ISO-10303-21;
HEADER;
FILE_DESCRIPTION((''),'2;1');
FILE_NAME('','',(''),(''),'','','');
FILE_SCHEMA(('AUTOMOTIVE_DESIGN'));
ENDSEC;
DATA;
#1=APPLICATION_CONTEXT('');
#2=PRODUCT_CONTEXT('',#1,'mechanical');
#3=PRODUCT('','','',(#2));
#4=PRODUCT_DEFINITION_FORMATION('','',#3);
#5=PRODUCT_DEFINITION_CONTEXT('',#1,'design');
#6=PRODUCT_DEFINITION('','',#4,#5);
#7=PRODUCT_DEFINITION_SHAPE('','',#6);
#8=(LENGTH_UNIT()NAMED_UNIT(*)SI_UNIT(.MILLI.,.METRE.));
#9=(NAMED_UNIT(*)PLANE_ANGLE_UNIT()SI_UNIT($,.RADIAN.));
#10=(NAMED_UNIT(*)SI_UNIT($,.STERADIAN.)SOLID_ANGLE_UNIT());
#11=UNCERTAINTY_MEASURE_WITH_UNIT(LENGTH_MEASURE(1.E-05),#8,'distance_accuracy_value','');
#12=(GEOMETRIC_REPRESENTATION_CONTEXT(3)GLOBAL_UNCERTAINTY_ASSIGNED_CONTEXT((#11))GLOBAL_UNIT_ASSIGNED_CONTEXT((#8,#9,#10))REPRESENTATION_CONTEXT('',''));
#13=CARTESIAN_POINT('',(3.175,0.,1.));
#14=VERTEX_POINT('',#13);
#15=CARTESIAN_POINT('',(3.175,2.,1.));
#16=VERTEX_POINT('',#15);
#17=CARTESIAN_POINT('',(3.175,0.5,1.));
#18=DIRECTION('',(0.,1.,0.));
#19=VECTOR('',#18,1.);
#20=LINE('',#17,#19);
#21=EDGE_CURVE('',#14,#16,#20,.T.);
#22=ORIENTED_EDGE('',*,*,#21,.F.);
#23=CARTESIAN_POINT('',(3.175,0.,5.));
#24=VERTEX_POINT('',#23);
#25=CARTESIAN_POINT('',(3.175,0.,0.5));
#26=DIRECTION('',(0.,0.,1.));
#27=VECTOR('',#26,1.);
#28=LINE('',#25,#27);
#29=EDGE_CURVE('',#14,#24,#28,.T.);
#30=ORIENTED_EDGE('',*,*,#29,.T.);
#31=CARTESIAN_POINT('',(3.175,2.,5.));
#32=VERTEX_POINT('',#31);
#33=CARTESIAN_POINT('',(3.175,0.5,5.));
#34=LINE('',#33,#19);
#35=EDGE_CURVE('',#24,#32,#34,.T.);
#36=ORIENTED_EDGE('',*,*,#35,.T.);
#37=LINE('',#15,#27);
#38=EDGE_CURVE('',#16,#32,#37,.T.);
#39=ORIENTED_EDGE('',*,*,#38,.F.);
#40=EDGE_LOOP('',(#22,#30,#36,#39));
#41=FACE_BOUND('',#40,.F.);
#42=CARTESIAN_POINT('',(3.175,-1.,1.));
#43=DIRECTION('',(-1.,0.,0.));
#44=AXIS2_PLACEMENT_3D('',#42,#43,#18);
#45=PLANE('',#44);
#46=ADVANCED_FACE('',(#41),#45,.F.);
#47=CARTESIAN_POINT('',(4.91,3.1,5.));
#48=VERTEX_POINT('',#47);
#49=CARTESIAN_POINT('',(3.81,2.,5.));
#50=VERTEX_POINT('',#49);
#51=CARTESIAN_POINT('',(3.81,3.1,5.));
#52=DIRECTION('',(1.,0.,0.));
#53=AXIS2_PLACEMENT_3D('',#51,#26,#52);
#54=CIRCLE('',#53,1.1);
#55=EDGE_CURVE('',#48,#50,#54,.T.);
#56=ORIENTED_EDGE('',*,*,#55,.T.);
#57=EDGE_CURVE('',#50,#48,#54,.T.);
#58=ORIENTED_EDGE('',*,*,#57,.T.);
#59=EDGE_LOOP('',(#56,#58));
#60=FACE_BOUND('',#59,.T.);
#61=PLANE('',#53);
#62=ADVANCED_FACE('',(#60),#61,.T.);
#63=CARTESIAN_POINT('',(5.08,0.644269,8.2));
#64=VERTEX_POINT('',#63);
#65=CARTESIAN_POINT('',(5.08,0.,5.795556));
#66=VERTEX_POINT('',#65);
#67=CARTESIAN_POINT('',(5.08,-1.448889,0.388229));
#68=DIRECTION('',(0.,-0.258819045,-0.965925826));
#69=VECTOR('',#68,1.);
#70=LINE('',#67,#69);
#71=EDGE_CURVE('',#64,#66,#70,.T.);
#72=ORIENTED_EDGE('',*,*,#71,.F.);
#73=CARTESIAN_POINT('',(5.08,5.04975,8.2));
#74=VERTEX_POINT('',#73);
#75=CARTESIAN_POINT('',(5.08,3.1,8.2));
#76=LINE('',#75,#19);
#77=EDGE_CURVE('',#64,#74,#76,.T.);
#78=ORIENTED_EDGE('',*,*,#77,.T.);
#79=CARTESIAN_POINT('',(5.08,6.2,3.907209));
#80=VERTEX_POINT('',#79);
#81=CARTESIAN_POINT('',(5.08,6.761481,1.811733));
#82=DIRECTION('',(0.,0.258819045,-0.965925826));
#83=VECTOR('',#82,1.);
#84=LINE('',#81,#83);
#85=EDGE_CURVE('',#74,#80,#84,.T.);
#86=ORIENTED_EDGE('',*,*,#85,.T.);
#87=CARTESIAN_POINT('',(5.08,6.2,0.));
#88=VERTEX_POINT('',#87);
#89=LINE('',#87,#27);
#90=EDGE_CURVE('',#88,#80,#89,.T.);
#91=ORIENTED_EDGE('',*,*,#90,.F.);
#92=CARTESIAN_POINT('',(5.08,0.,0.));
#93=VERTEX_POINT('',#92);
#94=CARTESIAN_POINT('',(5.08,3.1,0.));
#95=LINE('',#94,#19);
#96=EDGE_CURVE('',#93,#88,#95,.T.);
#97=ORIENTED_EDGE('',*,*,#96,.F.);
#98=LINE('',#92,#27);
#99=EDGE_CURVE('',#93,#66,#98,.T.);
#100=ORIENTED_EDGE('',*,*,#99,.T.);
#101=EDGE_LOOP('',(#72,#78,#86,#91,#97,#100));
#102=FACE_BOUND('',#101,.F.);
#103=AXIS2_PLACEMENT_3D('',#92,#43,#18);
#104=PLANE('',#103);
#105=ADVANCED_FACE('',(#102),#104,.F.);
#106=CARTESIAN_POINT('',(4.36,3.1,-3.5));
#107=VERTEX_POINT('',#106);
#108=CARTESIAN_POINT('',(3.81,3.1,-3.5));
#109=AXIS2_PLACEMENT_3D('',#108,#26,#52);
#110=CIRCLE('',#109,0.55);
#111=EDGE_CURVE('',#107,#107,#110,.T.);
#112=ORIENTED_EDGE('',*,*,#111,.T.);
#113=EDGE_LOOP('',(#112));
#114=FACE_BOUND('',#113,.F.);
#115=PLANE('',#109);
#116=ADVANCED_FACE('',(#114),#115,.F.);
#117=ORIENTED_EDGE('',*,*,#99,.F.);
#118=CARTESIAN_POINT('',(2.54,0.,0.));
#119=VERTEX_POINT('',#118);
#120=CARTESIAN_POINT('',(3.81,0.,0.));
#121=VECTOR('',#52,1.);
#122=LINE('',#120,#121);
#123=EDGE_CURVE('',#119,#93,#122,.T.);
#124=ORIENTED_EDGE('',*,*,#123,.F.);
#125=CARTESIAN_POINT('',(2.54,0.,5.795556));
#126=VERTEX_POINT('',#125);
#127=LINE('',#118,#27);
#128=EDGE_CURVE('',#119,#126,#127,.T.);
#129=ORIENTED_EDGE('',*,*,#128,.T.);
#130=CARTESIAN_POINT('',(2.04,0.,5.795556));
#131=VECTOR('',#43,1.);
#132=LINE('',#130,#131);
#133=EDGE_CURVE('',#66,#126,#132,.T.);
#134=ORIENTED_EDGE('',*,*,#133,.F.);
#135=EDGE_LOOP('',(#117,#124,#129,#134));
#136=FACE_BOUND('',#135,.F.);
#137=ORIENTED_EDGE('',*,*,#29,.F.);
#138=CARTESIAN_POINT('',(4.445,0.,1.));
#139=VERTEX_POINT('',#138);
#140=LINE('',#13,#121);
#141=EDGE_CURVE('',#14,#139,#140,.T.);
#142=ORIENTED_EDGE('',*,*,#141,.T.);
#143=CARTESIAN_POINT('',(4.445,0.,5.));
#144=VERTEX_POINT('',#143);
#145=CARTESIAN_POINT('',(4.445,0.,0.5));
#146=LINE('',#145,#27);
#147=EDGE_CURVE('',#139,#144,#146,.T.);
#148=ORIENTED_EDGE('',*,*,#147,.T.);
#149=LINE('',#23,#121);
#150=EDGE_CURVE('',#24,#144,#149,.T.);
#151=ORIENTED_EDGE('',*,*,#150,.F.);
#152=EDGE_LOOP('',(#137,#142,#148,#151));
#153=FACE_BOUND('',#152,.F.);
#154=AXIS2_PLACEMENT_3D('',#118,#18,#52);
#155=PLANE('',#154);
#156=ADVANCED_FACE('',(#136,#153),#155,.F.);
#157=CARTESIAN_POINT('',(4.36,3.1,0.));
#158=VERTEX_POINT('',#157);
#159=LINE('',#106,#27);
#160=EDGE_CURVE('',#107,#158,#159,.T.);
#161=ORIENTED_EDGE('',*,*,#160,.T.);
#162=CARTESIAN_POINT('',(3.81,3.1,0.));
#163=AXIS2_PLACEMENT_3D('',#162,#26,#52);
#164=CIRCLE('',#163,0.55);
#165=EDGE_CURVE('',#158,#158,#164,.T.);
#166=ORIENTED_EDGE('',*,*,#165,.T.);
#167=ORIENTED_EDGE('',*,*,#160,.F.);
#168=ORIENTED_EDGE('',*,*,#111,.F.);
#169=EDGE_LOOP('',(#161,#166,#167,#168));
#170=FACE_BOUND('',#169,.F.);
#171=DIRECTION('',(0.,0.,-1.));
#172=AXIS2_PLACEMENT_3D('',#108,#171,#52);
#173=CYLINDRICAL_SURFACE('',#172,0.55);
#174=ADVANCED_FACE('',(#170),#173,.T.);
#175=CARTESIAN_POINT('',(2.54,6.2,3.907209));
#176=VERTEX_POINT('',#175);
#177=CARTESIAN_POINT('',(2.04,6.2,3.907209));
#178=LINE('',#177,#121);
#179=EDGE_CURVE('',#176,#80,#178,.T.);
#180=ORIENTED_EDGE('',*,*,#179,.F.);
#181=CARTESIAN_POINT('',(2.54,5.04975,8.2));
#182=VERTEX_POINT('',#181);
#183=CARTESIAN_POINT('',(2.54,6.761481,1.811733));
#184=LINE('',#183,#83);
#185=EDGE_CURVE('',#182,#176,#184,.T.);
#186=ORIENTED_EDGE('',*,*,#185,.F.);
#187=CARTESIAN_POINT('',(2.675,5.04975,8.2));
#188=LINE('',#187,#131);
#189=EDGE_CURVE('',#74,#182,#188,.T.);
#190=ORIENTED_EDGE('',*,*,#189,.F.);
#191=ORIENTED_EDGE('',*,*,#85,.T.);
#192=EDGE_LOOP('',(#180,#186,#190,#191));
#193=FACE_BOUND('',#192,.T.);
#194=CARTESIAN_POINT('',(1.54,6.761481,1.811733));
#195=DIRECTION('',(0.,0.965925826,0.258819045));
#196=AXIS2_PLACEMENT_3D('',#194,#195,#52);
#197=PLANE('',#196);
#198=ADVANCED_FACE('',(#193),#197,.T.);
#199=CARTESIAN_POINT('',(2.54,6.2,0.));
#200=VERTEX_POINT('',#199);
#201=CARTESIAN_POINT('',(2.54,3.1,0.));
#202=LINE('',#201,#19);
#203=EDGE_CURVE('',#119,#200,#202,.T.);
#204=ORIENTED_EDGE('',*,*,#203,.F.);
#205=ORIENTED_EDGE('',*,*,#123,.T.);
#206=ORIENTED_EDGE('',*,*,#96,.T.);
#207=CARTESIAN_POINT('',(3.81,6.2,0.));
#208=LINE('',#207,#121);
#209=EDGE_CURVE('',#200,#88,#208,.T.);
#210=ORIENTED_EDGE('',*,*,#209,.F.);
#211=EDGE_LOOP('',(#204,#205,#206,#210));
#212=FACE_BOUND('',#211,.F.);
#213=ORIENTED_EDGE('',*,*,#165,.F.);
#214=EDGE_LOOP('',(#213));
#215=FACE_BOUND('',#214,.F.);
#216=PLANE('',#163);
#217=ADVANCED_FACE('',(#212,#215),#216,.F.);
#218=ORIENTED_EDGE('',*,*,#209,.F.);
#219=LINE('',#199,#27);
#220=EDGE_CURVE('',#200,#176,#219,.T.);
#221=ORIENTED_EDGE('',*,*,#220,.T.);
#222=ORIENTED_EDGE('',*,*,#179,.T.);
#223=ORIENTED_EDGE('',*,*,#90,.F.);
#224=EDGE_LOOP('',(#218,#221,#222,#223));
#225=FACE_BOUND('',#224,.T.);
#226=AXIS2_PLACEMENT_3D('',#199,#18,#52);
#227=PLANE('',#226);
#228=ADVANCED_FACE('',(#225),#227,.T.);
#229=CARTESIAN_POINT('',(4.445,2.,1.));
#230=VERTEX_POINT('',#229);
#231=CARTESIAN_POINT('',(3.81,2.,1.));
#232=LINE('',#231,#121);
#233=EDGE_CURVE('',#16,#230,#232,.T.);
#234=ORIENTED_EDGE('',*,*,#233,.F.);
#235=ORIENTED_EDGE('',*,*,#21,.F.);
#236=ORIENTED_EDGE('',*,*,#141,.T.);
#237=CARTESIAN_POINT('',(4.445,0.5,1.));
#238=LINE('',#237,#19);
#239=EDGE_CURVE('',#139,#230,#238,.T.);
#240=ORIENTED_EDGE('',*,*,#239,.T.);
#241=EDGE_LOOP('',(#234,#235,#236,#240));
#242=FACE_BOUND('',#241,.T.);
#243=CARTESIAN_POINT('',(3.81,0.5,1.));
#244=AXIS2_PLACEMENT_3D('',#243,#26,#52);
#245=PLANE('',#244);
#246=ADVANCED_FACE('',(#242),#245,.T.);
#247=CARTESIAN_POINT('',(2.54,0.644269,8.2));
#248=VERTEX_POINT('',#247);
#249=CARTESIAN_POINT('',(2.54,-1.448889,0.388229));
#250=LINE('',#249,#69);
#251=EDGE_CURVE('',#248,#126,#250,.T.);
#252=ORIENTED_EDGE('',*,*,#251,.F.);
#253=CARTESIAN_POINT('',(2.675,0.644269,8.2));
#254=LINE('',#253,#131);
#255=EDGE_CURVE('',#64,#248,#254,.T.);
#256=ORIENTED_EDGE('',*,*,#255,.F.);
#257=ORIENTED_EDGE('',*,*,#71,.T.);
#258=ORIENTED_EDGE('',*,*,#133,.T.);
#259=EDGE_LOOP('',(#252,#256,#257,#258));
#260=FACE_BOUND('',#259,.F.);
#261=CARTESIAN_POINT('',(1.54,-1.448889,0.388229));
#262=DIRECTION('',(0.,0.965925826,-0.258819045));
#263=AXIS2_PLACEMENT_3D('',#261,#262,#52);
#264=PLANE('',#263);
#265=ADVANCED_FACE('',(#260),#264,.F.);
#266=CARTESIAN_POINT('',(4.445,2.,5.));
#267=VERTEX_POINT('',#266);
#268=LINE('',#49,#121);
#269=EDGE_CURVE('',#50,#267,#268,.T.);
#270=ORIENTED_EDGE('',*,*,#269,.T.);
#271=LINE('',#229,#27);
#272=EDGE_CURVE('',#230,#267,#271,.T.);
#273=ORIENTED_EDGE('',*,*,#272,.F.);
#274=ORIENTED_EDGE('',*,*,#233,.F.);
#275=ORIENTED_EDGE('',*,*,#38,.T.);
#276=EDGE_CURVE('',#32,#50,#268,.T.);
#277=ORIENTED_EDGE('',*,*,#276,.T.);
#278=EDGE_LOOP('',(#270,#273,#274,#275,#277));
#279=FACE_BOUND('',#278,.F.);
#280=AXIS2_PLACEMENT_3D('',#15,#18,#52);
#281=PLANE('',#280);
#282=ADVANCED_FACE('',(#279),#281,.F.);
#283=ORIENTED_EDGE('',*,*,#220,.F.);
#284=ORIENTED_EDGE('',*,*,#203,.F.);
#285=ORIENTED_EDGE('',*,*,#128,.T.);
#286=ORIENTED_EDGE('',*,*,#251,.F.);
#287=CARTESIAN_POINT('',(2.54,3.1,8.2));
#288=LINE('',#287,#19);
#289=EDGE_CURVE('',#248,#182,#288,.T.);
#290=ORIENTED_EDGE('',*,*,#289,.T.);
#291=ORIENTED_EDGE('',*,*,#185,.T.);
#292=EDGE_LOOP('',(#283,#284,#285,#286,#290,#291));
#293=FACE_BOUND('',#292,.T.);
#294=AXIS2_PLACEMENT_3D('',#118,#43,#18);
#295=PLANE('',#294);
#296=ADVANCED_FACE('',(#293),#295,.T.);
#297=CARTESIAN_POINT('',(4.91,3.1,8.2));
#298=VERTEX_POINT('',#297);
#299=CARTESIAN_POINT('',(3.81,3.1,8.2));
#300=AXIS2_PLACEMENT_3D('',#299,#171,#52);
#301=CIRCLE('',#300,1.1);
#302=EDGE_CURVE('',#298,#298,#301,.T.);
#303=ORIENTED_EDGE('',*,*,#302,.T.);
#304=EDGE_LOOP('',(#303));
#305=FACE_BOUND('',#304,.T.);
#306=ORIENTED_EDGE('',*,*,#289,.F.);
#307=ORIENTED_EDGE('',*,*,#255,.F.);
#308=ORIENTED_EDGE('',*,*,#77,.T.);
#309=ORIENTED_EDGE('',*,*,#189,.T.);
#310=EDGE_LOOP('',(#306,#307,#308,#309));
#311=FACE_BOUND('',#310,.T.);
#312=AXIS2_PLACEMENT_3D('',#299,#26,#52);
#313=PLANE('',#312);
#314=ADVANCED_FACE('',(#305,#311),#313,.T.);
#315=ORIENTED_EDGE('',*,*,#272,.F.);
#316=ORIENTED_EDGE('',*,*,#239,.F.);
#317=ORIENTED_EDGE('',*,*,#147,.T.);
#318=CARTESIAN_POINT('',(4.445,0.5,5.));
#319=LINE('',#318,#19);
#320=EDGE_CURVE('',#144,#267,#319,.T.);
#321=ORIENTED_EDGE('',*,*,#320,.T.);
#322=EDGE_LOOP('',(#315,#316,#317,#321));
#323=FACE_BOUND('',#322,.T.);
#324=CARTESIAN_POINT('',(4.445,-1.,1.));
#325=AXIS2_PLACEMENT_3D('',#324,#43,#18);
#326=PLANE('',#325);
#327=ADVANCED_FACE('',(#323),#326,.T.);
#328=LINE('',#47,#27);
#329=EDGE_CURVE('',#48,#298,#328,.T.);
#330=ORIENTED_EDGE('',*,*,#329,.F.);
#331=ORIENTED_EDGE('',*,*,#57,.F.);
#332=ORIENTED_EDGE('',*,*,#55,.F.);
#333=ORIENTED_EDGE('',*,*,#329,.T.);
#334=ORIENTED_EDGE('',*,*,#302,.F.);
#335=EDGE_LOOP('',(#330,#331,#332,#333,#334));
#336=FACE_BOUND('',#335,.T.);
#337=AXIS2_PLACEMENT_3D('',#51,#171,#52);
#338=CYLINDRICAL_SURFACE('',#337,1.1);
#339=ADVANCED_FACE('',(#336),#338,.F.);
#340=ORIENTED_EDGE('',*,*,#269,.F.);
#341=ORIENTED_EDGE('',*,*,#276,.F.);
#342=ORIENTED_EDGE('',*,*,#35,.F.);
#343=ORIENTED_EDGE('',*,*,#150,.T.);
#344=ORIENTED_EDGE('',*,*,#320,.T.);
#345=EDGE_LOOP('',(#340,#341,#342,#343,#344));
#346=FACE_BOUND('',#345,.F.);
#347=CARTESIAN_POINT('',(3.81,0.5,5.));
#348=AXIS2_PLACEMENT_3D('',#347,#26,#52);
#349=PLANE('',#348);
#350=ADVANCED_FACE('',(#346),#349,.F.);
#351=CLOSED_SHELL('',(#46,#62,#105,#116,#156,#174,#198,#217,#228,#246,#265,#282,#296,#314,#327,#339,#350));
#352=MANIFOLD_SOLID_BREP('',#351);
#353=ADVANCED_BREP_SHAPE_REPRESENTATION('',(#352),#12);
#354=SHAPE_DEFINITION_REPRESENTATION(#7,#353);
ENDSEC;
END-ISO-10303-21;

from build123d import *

# Parameters (mm, degrees)
CYLINDER003_R           = 0.55
CYLINDER003_DEPTH       = 3.5
CYLINDER002_R           = 1.1
CYLINDER002_DEPTH       = 3.5
CUBE007_W               = 4
CUBE007_H               = 6
CUBE007_DEPTH           = 9
CUBE007_PLACEMENT_ANGLE = 15
CUBE006_W               = 4
CUBE006_H               = 6
CUBE006_DEPTH           = 8
CUBE006_PLACEMENT_ANGLE = 15
CUBE005_W               = 1.27
CUBE005_H               = 3
CUBE005_DEPTH           = 4
CUBE004_W               = 2.54
CUBE004_H               = 6.2
CUBE004_DEPTH           = 8.2


with BuildPart() as cylinder003:
    # cylinder003 → cylinder003 (new body)
    with BuildSketch(Plane(origin=(1.27, 3.1, -3.5), x_dir=(1, 0, 0), z_dir=(0, 0, 1))):
        Circle(CYLINDER003_R)
    extrude(amount=CYLINDER003_DEPTH)


with BuildPart() as cylinder002:
    # cylinder002 → cylinder002 (new body)
    with BuildSketch(Plane(origin=(1.27, 3.1, 5), x_dir=(1, 0, 0), z_dir=(0, 0, 1))):
        Circle(CYLINDER002_R)
    extrude(amount=CYLINDER002_DEPTH)


with BuildPart() as cube007:
    # cube007 → cube007 (new body)
    with BuildSketch(Plane.XY):
        with Locations((2, 3)):
            Rectangle(CUBE007_W, CUBE007_H)
    extrude(amount=CUBE007_DEPTH)


with BuildPart() as cube007_1:
    # cube007 placement: moved
    add(cube007.part.moved(Location((-1, -7.244444, 1.941143))).rotate(Axis((-1, -7.244444, 1.941143), (-1, 0, 0)), CUBE007_PLACEMENT_ANGLE))


with BuildPart() as cube006:
    # cube006 → cube006 (new body)
    with BuildSketch(Plane.XY):
        with Locations((2, 3)):
            Rectangle(CUBE006_W, CUBE006_H)
    extrude(amount=CUBE006_DEPTH)


with BuildPart() as cube006_1:
    # cube006 placement: moved
    add(cube006.part.moved(Location((-1, 6.761481, 1.811733))).rotate(Axis((-1, 6.761481, 1.811733), (1, 0, 0)), CUBE006_PLACEMENT_ANGLE))


with BuildPart() as cube005:
    # cube005 → cube005 (new body)
    with BuildSketch(Plane(origin=(0.635, -1, 1), x_dir=(1, 0, 0), z_dir=(0, 0, 1))):
        with Locations((0.635, 1.5)):
            Rectangle(CUBE005_W, CUBE005_H)
    extrude(amount=CUBE005_DEPTH)


with BuildPart() as group001:
    # cube004 → cube004 (new body)
    with BuildSketch(Plane.XY):
        with Locations((1.27, 3.1)):
            Rectangle(CUBE004_W, CUBE004_H)
    extrude(amount=CUBE004_DEPTH)

    # difference004: cut cube005
    add(cube005.part, mode=Mode.SUBTRACT)

    # difference005: cut cube006
    add(cube006_1.part, mode=Mode.SUBTRACT)

    # difference006: cut cube007
    add(cube007_1.part, mode=Mode.SUBTRACT)

    # difference007: cut cylinder002
    add(cylinder002.part, mode=Mode.SUBTRACT)

    # Group001: union cylinder003
    add(cylinder003.part)


with BuildPart() as group001_1:
    # Group001 placement: moved
    add(group001.part.moved(Location((2.54, 0, 0))))


solid = group001_1.part
